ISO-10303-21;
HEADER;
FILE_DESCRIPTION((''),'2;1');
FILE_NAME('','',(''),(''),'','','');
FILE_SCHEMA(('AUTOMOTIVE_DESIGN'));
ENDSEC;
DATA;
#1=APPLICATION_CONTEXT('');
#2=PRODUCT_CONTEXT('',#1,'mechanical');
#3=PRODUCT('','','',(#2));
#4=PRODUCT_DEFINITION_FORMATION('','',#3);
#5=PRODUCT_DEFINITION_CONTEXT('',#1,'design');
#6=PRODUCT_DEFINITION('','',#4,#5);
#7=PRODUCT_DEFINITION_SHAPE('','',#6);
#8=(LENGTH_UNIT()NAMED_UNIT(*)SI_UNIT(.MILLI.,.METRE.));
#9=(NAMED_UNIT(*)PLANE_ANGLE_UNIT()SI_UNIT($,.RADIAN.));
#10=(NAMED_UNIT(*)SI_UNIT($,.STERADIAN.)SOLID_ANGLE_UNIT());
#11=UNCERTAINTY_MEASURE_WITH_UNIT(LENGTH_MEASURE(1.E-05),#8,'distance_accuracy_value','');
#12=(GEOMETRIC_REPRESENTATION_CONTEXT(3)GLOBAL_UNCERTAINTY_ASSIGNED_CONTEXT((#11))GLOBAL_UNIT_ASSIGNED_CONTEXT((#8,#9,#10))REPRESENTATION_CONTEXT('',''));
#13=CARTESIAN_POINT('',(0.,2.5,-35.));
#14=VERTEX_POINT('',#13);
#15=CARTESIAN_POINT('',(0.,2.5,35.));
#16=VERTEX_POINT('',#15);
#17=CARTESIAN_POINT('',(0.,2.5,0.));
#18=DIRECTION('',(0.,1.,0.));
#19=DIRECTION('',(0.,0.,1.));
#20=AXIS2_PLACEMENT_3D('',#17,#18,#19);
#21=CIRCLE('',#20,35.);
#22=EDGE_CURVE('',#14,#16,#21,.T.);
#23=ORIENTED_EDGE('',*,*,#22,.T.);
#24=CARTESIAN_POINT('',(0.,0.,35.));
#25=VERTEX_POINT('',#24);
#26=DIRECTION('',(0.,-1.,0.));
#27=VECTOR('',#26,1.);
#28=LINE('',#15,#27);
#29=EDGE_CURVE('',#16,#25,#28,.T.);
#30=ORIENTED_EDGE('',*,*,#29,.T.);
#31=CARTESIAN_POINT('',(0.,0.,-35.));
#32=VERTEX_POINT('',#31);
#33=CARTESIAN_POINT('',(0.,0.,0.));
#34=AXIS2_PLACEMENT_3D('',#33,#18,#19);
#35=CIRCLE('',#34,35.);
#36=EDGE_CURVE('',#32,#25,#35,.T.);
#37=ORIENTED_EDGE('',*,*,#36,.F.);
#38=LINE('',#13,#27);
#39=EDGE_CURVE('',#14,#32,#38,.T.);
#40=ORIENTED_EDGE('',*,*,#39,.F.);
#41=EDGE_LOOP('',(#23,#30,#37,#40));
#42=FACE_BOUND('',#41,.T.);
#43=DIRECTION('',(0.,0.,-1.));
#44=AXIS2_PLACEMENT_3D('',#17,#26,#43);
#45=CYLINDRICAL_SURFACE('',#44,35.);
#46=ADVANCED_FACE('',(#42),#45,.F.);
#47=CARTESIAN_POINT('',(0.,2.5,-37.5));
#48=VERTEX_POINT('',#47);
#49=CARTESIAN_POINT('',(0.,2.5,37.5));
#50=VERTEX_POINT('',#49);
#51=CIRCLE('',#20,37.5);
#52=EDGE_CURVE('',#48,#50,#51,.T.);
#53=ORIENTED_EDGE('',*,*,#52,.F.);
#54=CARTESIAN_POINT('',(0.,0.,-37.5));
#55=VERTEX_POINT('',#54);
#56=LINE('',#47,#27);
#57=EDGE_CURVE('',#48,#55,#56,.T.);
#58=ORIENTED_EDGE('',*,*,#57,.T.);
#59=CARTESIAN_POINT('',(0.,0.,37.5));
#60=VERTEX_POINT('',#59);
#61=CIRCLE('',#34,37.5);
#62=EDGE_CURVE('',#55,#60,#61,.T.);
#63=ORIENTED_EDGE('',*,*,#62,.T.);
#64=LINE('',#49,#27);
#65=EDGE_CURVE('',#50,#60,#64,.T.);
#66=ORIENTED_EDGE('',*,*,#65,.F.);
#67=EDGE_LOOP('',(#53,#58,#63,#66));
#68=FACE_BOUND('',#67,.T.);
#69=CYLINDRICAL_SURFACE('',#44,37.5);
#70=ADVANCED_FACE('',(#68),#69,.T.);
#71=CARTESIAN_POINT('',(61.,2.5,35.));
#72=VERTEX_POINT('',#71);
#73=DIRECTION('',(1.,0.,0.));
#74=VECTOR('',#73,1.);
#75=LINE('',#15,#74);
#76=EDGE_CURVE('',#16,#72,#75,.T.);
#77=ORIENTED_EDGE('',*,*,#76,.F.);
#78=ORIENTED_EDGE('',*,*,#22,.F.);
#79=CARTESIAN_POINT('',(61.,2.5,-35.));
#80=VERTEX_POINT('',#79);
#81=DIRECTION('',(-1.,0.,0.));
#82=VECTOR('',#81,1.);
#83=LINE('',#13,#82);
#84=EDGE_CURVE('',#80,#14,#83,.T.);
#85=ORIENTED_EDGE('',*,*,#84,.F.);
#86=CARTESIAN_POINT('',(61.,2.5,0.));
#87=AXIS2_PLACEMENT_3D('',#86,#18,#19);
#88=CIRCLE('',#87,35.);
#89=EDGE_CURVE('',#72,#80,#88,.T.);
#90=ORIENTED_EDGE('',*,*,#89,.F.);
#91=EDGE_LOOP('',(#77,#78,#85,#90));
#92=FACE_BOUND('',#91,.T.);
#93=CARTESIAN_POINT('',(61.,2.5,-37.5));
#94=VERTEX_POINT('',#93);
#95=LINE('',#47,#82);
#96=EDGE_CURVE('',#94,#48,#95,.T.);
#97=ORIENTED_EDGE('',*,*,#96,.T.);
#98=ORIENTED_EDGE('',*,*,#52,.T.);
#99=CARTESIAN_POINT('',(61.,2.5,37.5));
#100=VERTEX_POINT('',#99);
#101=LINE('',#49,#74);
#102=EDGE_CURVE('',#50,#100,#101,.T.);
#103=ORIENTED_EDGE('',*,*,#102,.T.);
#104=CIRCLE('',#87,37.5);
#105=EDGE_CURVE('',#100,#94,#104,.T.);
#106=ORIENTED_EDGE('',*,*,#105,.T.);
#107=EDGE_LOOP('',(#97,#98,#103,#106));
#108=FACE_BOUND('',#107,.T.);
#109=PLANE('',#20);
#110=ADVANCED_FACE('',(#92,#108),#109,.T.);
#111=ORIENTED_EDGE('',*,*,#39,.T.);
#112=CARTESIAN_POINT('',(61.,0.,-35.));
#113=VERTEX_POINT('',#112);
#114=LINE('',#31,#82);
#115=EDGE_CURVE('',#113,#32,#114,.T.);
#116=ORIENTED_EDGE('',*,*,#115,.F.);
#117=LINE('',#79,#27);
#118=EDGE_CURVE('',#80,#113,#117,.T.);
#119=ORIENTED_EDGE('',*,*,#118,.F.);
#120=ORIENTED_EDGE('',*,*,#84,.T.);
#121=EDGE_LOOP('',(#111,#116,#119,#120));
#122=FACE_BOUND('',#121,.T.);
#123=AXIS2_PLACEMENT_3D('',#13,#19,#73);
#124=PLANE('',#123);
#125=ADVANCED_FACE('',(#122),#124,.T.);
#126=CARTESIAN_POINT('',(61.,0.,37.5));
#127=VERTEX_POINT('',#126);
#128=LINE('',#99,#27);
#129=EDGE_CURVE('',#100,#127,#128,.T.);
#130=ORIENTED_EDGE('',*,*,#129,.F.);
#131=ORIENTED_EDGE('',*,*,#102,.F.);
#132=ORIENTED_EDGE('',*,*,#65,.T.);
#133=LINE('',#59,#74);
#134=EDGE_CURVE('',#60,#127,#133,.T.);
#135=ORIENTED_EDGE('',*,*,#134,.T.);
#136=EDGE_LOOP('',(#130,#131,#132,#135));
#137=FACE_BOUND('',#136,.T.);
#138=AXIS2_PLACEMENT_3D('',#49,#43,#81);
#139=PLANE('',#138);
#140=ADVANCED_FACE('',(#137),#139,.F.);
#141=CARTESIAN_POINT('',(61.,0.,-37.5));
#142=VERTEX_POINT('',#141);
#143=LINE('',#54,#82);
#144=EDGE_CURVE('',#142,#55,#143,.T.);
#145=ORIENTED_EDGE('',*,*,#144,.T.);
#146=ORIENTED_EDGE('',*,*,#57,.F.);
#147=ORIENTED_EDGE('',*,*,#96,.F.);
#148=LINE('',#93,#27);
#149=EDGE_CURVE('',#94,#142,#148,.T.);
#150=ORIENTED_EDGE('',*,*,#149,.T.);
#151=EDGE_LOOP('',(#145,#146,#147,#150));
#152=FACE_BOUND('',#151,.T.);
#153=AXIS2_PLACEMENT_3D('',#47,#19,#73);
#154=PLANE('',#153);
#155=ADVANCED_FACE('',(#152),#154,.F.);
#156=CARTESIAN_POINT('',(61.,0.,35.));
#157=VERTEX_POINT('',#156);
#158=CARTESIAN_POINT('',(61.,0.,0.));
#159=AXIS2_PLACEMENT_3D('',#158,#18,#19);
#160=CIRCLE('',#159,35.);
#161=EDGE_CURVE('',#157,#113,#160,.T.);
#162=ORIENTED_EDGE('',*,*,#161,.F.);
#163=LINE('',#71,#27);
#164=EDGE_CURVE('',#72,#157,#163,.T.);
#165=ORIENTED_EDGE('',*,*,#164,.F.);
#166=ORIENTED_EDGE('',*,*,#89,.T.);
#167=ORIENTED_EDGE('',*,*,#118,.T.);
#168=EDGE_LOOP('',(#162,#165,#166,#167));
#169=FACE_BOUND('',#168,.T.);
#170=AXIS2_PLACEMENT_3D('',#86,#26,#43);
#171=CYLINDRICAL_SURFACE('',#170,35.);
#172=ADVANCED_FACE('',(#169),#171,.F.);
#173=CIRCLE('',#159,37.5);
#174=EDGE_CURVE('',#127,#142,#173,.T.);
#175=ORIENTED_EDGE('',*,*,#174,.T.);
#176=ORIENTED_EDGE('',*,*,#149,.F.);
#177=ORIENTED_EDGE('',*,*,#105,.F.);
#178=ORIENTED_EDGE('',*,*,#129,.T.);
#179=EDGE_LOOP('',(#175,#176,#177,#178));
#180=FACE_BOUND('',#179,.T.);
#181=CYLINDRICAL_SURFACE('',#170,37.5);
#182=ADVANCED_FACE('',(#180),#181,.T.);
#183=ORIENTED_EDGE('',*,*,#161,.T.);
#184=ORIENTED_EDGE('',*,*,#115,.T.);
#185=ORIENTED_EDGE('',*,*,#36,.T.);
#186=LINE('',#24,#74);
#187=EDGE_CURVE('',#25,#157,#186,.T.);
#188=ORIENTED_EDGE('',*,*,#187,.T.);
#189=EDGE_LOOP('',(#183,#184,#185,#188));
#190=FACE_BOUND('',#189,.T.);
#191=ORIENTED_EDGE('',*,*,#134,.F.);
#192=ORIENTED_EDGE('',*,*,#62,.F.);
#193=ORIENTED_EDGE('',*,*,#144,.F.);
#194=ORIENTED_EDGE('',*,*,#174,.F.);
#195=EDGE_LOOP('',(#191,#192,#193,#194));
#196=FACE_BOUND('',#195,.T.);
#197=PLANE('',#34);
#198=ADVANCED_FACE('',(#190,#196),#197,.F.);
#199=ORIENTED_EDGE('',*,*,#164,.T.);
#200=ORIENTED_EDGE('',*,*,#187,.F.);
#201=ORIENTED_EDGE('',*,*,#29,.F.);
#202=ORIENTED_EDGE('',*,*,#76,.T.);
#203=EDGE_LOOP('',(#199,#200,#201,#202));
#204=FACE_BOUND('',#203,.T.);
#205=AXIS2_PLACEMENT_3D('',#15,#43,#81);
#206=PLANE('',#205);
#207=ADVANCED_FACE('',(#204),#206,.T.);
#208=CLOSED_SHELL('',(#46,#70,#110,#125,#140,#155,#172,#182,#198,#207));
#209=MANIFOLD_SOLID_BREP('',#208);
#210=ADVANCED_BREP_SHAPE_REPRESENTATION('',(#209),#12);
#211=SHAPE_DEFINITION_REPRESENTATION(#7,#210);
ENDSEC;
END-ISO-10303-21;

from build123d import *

# Parameters (mm, degrees)
BOSS_EXTRUDE1_DEPTH = 2.5


with BuildPart() as part:
    # Sketch1 → Boss-Extrude1 (new body)
    with BuildSketch(Plane(origin=(0, 0, 0), x_dir=(1, 0, 0), z_dir=(0, 1, 0))):
        with BuildLine():
            Line((0, 37.5), (61, 37.5))
            ThreePointArc((61, 37.5), (98.5, 0), (61, -37.5))
            Line((61, -37.5), (0, -37.5))
            ThreePointArc((0, -37.5), (-37.5, 0), (0, 37.5))
        make_face()
        with BuildLine():
            Line((0, 35), (61, 35))
            ThreePointArc((61, 35), (96, 0), (61, -35))
            Line((61, -35), (0, -35))
            ThreePointArc((0, -35), (-35, 0), (0, 35))
        make_face(mode=Mode.SUBTRACT)
    extrude(amount=BOSS_EXTRUDE1_DEPTH)


solid = part.part
